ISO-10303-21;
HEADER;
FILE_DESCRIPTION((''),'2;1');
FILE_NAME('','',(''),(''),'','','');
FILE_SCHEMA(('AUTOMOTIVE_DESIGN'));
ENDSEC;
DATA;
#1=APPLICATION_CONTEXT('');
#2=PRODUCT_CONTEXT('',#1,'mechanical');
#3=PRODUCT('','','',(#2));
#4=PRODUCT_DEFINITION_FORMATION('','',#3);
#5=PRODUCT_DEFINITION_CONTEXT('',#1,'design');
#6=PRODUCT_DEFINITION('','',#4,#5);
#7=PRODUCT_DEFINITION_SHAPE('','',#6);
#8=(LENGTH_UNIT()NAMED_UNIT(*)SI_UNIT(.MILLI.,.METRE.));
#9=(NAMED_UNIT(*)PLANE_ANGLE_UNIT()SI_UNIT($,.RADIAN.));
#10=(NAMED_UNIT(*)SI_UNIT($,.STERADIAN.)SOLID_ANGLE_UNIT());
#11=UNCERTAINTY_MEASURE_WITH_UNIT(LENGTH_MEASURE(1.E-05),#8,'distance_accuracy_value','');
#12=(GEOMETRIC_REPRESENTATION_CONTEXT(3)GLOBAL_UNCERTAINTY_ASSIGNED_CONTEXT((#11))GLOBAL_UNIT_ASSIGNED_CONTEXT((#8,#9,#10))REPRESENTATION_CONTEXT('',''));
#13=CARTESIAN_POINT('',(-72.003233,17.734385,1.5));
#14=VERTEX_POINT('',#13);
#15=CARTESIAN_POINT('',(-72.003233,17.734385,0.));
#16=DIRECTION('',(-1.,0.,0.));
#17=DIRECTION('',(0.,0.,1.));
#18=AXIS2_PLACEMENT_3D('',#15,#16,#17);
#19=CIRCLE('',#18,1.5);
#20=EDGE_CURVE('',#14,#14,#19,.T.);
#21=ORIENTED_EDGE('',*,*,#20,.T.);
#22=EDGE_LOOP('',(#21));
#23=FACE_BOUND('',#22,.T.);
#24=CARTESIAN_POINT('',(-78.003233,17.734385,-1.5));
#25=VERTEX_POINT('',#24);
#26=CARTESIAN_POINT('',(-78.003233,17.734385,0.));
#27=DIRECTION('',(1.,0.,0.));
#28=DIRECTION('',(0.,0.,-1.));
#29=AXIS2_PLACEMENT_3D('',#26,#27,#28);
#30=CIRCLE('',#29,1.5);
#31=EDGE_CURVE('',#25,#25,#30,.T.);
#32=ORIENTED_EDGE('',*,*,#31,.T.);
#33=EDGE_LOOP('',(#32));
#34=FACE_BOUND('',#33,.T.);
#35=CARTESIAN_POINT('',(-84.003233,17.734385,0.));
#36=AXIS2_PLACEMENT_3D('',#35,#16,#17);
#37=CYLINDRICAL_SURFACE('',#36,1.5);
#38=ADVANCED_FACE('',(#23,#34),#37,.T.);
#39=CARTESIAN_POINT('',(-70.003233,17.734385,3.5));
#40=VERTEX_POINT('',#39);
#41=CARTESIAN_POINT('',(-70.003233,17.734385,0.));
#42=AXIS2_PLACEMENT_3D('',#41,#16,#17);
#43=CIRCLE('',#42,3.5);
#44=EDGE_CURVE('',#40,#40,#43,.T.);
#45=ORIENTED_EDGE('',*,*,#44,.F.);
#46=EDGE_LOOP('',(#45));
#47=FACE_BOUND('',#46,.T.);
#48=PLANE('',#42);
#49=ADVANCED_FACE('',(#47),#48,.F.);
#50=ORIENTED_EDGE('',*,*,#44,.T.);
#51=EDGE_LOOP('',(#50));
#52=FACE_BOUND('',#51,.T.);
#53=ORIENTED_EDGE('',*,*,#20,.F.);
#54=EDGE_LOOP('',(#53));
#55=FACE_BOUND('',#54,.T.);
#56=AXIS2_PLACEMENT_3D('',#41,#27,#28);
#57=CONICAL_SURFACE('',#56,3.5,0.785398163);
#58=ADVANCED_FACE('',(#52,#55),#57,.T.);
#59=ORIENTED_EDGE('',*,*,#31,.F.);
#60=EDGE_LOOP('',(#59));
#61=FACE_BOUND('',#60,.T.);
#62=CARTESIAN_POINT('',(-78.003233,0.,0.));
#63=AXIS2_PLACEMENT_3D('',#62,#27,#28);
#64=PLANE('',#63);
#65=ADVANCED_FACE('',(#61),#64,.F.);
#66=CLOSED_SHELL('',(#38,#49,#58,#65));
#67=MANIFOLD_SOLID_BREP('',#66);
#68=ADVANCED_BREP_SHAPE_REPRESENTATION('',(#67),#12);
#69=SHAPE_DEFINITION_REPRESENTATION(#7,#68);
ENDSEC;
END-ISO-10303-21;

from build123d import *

# Parameters (mm, degrees)
CUT_EXTRUDE1_DEPTH = 6


with BuildPart() as part:
    # Sketch1 → Revolve2 (revolve)
    with BuildSketch(Plane.XY, mode=Mode.PRIVATE) as revolve2_sk:
        Polygon((-84.003233386, 19.234385214), (-72.003233386, 19.234385214), (-70.003233386, 21.234385214), (-70.003233386, 17.734385214), (-84.003233386, 17.734385214), align=None)
    revolve(revolve2_sk.sketch.rotate(Axis((-84.003233386, 17.734385214, 0), (1, 0, 0)), 90), axis=Axis((-84.003233386, 17.734385214, 0), (1, 0, 0)))

    # Sketch2 → Cut-Extrude1 (cut)
    with BuildSketch(Plane.ZY.offset(84.003233386)):
        Polygon((-1.961093313, 19.648785829), (-2.08116025, 15.940051537), (2.199763695, 15.801460474), (2.094501021, 19.742171225), align=None)
    extrude(amount=-CUT_EXTRUDE1_DEPTH, mode=Mode.SUBTRACT)


solid = part.part
